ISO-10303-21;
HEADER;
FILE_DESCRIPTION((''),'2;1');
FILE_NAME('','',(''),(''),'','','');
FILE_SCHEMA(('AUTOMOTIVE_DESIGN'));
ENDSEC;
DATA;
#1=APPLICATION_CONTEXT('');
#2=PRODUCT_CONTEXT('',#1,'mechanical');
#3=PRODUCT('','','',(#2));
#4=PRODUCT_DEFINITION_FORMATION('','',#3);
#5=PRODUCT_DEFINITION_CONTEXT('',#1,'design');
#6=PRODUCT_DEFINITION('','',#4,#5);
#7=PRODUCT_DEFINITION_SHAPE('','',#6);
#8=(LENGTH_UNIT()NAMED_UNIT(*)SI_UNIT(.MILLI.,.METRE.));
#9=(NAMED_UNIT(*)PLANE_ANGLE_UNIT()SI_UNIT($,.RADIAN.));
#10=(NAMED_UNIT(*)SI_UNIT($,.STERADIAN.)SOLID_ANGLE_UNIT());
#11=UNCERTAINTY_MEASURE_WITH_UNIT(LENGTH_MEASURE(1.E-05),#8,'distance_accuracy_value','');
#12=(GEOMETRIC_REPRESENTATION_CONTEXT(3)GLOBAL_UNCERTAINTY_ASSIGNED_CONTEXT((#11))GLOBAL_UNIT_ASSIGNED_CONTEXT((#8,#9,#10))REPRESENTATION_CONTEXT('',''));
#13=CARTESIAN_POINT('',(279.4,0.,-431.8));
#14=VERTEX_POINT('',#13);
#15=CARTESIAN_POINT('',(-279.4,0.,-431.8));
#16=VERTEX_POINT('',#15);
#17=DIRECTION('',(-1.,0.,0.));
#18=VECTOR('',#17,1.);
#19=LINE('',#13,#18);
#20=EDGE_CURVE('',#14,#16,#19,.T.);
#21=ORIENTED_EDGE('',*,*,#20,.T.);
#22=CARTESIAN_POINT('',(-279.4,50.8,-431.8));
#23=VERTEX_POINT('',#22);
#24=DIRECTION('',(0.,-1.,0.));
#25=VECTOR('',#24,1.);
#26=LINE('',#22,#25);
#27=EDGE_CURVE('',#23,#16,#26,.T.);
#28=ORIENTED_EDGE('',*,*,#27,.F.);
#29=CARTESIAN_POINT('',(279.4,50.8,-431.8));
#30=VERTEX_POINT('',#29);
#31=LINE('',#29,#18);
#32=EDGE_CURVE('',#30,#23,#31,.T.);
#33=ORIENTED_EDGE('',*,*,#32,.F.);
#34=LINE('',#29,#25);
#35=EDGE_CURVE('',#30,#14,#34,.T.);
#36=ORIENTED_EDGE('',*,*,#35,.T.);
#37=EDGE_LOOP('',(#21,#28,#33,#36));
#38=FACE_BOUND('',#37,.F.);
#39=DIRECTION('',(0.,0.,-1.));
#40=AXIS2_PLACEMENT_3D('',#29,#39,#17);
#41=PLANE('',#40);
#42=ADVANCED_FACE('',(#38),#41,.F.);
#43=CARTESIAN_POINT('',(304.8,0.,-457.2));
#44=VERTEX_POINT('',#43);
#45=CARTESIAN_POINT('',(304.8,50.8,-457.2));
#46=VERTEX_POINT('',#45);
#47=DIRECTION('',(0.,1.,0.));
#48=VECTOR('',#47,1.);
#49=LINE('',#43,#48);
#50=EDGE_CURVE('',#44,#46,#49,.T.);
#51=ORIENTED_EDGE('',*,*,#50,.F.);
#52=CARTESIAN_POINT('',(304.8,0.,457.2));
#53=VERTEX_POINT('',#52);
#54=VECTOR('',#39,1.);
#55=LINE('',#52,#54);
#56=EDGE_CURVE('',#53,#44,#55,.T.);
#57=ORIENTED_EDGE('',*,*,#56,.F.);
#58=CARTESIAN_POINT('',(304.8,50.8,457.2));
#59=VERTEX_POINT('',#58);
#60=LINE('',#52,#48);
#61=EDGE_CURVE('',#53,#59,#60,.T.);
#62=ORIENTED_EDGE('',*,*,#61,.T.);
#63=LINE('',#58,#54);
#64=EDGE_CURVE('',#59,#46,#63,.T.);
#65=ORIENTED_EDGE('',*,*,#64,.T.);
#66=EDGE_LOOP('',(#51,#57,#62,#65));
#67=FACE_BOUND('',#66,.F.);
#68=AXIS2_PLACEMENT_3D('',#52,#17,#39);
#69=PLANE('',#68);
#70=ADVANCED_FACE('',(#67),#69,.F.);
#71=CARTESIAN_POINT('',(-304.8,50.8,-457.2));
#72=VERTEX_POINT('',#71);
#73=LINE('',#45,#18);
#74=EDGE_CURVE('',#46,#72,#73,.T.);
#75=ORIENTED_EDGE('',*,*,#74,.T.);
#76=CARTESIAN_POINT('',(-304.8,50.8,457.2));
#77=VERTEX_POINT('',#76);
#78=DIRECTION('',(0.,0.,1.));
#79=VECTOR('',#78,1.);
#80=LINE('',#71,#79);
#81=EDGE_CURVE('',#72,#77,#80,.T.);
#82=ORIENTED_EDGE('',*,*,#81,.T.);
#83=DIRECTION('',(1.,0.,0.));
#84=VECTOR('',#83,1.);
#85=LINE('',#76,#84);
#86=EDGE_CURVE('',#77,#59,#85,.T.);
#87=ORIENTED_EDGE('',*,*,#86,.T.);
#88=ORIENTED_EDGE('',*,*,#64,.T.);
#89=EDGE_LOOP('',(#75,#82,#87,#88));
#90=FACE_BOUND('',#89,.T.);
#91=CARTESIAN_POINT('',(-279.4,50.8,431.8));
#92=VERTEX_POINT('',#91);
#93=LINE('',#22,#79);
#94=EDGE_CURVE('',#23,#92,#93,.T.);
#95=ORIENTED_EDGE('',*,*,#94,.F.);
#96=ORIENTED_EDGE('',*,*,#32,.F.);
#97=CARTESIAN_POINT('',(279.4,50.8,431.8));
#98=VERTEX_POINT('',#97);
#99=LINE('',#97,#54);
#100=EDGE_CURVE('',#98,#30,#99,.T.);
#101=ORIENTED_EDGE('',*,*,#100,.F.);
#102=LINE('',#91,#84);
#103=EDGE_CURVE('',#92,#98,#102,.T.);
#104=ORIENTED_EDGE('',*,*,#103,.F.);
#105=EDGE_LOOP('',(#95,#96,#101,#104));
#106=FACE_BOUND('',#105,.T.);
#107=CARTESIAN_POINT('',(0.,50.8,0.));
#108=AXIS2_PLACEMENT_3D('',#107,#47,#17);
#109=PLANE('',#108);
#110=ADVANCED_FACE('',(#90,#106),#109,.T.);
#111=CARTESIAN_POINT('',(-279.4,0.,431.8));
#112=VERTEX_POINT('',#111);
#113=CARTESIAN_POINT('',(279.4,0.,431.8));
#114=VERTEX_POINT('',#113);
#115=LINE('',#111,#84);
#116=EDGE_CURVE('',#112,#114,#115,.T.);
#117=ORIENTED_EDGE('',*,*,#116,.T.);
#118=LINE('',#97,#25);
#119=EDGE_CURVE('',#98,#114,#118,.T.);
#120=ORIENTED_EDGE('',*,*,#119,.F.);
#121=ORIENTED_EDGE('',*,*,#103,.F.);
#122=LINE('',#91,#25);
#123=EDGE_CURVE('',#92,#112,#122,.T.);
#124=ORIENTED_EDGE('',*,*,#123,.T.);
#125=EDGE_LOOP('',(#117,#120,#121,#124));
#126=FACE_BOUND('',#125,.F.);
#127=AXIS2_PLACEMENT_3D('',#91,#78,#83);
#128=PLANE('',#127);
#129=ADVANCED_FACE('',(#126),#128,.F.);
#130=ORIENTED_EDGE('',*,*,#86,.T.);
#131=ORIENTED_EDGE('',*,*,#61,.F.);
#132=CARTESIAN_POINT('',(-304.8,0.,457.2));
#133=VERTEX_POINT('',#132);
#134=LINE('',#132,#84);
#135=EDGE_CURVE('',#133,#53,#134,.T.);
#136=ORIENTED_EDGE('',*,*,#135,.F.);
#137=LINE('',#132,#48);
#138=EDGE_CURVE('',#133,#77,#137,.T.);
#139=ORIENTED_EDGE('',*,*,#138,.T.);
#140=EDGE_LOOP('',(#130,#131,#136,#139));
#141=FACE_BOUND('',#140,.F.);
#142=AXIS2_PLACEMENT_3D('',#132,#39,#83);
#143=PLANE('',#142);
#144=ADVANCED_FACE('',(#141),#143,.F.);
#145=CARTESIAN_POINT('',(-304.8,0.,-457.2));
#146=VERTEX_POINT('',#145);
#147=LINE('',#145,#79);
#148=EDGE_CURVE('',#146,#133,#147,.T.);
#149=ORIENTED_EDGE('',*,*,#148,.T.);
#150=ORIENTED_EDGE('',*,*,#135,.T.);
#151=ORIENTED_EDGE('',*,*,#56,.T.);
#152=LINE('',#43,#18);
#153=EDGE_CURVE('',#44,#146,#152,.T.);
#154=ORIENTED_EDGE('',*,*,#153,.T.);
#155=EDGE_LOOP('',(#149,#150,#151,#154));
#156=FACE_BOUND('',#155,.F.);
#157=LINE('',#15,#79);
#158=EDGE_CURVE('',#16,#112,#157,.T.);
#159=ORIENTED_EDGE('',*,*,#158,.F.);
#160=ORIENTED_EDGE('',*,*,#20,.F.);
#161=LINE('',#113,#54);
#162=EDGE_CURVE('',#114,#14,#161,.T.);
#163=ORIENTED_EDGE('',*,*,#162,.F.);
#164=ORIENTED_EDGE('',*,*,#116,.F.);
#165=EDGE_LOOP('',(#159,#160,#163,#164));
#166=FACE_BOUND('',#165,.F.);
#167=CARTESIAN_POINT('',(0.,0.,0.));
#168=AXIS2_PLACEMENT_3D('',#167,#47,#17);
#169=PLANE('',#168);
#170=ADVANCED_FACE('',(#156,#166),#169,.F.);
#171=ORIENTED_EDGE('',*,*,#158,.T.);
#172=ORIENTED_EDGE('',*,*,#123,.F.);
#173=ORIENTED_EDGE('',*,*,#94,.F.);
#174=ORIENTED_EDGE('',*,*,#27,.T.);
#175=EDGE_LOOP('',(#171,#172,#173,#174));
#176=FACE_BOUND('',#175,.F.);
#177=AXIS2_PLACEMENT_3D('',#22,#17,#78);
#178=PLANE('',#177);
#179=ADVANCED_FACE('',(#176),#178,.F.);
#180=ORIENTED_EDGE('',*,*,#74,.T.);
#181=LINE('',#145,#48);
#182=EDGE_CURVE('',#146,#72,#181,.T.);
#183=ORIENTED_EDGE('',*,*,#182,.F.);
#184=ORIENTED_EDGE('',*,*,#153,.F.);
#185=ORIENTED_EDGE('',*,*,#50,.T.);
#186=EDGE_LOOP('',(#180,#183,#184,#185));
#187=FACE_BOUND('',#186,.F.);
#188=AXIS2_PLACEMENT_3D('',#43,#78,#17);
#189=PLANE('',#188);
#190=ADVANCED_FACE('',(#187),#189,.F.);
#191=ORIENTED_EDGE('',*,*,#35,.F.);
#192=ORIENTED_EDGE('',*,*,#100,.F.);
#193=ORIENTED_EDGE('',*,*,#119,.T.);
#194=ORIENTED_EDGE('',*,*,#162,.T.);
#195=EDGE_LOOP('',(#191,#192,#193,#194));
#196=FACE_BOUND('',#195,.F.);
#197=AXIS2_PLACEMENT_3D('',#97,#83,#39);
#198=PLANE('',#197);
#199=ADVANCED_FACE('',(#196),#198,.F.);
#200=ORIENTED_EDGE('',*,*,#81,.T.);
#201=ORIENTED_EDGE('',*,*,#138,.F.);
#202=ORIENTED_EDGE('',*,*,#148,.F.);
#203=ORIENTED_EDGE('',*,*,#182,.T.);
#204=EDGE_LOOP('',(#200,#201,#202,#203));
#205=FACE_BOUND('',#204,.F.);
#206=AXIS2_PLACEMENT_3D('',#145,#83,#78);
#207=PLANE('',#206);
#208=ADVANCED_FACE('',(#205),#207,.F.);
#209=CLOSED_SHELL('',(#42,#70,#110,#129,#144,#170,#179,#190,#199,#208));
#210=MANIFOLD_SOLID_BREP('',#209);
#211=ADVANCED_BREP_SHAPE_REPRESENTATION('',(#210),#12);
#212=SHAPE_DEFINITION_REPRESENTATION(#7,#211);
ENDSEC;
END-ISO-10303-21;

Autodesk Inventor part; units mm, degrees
ref_plane "YZ Plane" through (0, 0, 0) normal (1, 0, 0) x (0, 1, 0)
ref_plane "XZ Plane" through (0, 0, 0) normal (0, 1, 0) x (-1, 0, 0)
ref_plane "XY Plane" through (0, 0, 0) normal (0, 0, 1) x (1, 0, 0)
sketch "Sketch2" plane through (0, 0, 0) normal (0, 1, 0) x (-1, 0, 0)
  line L0 (304.8, 457.2) -> (-304.8, 457.2)
  line L1 (-304.8, 457.2) -> (-304.8, -457.2)
  line L2 (-304.8, -457.2) -> (304.8, -457.2)
  line L3 (304.8, -457.2) -> (304.8, 457.2)
  point P0 (0, 0)
  point P1 (304.8, 0)
  point P2 (0, 457.2)
  dimension "d4" = 609.6
  dimension "d5" = 914.4
extrude "Extrusion2" add sketch "Sketch2" along normal blind 50.8
sketch "Sketch3" plane through (0, 50.8, 0) normal (0, 1, 0) x (1, 0, 0)
  line L0 (279.4, -431.8) -> (279.4, 431.8)
  line L1 (279.4, 431.8) -> (-279.4, 431.8)
  line L2 (-279.4, 431.8) -> (-279.4, -431.8)
  line L3 (-279.4, -431.8) -> (279.4, -431.8)
  line L4 (279.4, -431.8) -> (-279.4, 431.8) construction
  line L5 (279.4, 431.8) -> (-279.4, -431.8) construction
  line L6 (-279.4, -431.8) -> (-304.8, -431.8)
  line L7 (-304.8, 457.2) -> (-304.8, -457.2) projected
  line L8 (-279.4, -431.8) -> (-279.4, -457.2)
  line L9 (279.4, -431.8) -> (279.4, -457.2)
  line L10 (-304.8, -457.2) -> (304.8, -457.2) projected
  line L11 (279.4, -431.8) -> (304.8, -431.8)
  line L12 (304.8, -457.2) -> (304.8, 457.2) projected
  line L13 (279.4, 431.8) -> (304.8, 431.8)
  line L14 (279.4, 431.8) -> (279.4, 457.2)
  line L15 (-279.4, 431.8) -> (-304.8, 431.8)
  line L16 (-279.4, 431.8) -> (-279.4, 457.2)
  line L17 (304.8, 457.2) -> (-304.8, 457.2) projected
  point P0 (0, 0)
  dimension "d8" = 863.6
  dimension "d9" = 558.8
extrude "Extrusion3" cut sketch "Sketch3" against normal blind 50.8 contours L3 L2 L1 L0
properties part number "Base stock holder"
